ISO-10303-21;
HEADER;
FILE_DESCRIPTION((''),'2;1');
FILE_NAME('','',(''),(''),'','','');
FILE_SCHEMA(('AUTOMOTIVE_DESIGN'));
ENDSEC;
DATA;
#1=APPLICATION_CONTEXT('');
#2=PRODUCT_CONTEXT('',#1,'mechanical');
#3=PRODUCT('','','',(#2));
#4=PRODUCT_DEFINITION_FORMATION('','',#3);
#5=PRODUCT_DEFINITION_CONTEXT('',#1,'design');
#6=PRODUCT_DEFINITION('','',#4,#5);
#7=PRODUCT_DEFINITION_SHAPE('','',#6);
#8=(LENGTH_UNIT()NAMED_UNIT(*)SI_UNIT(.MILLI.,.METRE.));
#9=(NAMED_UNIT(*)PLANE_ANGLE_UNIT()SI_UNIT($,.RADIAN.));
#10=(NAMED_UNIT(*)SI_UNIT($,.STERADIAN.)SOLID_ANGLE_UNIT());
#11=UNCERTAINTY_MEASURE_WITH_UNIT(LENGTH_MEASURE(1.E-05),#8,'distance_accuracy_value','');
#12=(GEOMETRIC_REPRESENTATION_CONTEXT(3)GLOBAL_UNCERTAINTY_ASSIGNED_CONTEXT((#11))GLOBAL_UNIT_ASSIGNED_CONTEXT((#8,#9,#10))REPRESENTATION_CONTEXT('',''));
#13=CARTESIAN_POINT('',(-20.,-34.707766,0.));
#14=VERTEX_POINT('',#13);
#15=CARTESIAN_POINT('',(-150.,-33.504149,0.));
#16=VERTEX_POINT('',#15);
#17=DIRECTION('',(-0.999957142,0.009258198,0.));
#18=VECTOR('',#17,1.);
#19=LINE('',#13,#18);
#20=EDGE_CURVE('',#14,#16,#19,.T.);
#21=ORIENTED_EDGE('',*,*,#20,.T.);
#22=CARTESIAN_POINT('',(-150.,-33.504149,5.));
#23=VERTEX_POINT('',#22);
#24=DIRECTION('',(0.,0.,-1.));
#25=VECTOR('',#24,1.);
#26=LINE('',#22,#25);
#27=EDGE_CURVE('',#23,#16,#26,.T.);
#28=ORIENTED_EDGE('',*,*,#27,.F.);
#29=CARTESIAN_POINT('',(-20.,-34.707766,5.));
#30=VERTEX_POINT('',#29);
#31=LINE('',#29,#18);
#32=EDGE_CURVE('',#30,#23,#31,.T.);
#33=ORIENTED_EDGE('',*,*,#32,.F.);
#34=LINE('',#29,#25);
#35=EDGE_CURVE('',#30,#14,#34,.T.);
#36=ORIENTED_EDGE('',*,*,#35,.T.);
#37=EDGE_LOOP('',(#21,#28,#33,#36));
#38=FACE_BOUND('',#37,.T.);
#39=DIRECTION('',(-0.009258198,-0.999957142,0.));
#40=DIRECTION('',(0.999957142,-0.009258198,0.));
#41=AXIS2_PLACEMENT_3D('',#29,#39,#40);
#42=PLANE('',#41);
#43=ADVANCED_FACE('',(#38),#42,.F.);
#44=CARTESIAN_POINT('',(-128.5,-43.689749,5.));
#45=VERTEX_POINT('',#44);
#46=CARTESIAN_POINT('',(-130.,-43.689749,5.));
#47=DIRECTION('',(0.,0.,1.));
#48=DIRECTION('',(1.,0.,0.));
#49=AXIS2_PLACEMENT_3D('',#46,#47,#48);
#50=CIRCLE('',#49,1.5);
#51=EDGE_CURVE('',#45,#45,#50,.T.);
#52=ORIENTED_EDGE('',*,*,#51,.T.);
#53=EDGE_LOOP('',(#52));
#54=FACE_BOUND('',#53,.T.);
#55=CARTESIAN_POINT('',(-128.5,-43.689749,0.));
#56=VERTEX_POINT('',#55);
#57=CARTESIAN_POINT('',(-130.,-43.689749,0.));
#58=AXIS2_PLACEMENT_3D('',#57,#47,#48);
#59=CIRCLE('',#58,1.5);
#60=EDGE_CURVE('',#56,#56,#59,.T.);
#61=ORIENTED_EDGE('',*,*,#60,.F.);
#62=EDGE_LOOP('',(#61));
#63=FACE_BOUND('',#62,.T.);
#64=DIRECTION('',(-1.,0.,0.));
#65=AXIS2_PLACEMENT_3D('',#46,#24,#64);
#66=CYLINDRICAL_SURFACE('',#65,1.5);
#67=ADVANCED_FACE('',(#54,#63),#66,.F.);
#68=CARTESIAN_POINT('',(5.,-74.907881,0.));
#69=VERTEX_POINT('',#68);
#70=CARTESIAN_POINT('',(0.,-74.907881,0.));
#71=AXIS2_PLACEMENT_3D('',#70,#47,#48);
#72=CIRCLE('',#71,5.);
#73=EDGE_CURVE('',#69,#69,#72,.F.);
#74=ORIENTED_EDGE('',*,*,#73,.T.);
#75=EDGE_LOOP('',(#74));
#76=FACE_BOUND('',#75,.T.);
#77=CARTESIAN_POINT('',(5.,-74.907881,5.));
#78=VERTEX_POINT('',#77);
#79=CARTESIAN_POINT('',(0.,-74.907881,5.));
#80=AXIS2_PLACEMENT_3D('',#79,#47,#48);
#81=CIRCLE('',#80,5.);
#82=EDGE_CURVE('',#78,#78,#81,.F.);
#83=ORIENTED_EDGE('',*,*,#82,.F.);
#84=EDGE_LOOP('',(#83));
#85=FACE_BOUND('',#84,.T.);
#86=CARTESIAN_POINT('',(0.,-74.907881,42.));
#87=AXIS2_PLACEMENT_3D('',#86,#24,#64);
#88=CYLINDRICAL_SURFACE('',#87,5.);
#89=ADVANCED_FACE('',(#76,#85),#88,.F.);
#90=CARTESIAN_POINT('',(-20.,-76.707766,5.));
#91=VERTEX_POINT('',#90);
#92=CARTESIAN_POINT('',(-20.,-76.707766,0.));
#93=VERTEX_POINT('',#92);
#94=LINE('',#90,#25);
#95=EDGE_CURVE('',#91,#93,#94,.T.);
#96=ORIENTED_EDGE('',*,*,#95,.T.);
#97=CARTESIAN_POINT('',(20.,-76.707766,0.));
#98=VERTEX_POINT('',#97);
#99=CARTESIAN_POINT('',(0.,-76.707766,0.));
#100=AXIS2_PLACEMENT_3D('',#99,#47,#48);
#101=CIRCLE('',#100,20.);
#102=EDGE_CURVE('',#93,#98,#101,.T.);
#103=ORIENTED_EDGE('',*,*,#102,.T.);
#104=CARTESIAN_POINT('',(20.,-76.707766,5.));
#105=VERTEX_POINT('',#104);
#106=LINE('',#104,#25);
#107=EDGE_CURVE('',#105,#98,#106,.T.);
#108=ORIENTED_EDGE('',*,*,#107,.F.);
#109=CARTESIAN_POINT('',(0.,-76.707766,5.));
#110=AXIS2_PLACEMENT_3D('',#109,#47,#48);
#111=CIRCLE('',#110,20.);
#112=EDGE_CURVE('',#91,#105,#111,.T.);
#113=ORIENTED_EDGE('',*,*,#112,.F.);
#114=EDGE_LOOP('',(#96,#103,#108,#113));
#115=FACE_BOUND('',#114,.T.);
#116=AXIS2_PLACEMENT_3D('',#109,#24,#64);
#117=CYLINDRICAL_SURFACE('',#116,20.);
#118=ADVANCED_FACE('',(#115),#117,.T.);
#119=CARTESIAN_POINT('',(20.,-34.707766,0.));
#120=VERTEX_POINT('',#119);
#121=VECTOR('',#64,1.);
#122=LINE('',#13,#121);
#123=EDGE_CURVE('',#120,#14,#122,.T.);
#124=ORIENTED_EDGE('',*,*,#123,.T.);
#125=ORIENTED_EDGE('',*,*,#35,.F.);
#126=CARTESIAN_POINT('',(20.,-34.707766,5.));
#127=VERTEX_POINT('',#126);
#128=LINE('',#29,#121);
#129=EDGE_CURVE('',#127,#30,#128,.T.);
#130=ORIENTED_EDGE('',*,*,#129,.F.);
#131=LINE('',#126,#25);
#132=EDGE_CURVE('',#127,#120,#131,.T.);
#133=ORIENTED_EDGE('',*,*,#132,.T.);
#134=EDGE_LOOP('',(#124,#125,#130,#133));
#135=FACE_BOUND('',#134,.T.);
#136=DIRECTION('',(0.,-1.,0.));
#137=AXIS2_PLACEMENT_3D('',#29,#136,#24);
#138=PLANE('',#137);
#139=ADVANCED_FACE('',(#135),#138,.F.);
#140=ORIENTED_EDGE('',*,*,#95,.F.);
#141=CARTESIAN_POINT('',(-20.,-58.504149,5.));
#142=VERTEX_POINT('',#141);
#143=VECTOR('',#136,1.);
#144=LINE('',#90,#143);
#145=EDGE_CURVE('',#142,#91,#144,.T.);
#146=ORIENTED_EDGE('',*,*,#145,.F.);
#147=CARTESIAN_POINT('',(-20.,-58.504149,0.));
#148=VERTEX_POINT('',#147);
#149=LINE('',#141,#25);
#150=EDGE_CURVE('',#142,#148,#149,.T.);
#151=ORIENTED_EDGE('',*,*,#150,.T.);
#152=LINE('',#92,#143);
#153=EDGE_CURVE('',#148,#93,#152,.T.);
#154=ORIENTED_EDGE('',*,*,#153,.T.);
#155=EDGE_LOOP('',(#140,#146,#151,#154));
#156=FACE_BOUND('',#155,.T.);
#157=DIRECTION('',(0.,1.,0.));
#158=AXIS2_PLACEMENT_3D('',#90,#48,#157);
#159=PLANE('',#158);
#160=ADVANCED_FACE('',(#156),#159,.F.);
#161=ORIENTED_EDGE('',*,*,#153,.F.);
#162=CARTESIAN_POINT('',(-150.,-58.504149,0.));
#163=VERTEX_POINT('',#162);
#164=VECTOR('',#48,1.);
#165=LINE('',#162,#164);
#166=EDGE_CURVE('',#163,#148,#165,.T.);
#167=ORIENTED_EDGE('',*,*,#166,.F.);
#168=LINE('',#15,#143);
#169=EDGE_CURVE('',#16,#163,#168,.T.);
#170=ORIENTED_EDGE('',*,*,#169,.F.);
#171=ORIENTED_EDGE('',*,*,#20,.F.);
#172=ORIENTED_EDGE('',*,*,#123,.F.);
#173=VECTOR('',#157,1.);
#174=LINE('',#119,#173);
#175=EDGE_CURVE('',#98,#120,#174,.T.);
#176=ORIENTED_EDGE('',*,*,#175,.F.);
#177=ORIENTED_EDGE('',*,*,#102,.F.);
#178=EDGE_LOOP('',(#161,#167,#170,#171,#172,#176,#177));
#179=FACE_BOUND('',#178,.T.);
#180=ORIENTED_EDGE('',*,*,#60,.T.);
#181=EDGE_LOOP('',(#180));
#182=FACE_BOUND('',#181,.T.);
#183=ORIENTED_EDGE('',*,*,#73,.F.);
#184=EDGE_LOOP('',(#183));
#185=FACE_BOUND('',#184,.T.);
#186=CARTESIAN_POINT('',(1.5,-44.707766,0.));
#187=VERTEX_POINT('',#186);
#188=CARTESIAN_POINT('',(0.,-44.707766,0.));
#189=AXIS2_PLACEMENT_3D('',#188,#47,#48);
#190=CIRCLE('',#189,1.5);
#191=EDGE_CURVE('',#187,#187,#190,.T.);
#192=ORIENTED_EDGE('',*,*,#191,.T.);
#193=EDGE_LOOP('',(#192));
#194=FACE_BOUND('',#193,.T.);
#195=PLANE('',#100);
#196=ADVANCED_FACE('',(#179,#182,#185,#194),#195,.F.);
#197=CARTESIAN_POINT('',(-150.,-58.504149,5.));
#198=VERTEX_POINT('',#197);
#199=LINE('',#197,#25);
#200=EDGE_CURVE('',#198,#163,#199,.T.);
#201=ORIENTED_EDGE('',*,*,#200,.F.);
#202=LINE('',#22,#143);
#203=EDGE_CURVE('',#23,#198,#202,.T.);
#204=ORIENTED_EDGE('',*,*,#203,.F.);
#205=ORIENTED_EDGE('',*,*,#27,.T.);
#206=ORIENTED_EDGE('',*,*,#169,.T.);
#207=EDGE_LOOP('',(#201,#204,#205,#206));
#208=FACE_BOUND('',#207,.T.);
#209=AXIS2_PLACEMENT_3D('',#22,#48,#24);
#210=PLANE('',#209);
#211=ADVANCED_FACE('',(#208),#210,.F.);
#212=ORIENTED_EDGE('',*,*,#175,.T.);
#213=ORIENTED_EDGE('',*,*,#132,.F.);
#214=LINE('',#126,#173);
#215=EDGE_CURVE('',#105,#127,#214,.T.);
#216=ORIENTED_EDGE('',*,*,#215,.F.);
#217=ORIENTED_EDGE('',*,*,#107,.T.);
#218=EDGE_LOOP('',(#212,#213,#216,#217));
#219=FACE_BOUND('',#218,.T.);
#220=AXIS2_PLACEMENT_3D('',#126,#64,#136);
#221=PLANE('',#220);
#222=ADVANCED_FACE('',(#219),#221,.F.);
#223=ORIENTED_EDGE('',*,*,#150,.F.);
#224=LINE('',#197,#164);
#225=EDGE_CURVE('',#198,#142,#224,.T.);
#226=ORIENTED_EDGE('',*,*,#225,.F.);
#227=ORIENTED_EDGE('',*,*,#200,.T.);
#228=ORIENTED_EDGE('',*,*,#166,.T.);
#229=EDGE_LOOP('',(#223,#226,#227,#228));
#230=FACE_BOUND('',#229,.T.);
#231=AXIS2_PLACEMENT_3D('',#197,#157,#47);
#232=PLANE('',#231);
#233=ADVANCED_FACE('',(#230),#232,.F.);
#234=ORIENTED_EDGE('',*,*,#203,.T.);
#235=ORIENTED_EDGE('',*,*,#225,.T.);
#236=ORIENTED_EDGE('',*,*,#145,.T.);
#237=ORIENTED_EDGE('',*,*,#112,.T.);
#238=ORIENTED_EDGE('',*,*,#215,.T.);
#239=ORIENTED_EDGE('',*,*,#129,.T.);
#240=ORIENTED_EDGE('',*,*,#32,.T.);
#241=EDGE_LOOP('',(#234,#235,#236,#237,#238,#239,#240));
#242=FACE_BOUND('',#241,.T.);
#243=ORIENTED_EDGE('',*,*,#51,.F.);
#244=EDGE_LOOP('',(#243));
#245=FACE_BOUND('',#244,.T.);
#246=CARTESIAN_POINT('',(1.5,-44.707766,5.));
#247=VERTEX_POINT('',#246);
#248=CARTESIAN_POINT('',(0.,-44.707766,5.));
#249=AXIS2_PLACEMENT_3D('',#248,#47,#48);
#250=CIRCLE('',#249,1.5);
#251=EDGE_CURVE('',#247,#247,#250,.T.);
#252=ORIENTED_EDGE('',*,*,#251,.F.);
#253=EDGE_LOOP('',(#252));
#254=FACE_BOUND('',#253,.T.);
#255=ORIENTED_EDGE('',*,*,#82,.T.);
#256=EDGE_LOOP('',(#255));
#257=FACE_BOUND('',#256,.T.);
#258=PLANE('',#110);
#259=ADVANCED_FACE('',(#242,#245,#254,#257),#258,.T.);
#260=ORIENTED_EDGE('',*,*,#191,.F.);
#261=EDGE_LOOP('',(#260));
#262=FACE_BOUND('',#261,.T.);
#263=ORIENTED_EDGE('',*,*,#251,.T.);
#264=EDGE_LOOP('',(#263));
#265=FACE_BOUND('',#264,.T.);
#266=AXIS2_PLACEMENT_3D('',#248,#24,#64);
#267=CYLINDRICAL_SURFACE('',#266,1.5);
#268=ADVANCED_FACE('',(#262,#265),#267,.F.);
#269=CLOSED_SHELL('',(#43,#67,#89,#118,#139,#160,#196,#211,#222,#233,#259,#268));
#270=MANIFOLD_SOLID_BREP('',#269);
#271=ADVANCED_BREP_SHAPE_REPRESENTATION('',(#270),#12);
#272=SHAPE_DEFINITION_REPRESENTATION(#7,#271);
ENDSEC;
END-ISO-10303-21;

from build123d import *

# Parameters (mm, degrees)
SKETCH1_R               = 1.5
BOSS_EXTRUDE1_DEPTH     = 5
CUT_EXTRUDE1_DEPTH      = 37
CUT_EXTRUDE1_DEPTH_BACK = 24
SKETCH2_R               = 5


with BuildPart() as part:
    # Sketch1 → Boss-Extrude1 (new body)
    with BuildSketch(Plane.XY):
        with BuildLine():
            Line((-20, -76.707766284), (-20, -58.504148974))
            Line((-20, -58.504148974), (-150, -58.504148974))
            Line((-150, -58.504148974), (-150, -33.504148974))
            Line((-150, -33.504148974), (-20, -34.707766284))
            Line((-20, -34.707766284), (20, -34.707766284))
            Line((20, -34.707766284), (20, -76.707766284))
            ThreePointArc((20, -76.707766284), (0, -96.707766284), (-20, -76.707766284))
        make_face()
        with Locations((0, -44.707766284)):
            Circle(SKETCH1_R, mode=Mode.SUBTRACT)
        with Locations((-130, -43.689749466)):
            Circle(SKETCH1_R, mode=Mode.SUBTRACT)
    extrude(amount=BOSS_EXTRUDE1_DEPTH)

    # Sketch2 → Cut-Extrude1 (cut, two sides: drawn at the far end of the back side and taken through both)
    with BuildSketch(Plane.XY.offset(5).offset(-CUT_EXTRUDE1_DEPTH_BACK)):
        with Locations((0, -74.90788056)):
            Circle(SKETCH2_R)
    extrude(amount=CUT_EXTRUDE1_DEPTH + CUT_EXTRUDE1_DEPTH_BACK, mode=Mode.SUBTRACT)


solid = part.part
